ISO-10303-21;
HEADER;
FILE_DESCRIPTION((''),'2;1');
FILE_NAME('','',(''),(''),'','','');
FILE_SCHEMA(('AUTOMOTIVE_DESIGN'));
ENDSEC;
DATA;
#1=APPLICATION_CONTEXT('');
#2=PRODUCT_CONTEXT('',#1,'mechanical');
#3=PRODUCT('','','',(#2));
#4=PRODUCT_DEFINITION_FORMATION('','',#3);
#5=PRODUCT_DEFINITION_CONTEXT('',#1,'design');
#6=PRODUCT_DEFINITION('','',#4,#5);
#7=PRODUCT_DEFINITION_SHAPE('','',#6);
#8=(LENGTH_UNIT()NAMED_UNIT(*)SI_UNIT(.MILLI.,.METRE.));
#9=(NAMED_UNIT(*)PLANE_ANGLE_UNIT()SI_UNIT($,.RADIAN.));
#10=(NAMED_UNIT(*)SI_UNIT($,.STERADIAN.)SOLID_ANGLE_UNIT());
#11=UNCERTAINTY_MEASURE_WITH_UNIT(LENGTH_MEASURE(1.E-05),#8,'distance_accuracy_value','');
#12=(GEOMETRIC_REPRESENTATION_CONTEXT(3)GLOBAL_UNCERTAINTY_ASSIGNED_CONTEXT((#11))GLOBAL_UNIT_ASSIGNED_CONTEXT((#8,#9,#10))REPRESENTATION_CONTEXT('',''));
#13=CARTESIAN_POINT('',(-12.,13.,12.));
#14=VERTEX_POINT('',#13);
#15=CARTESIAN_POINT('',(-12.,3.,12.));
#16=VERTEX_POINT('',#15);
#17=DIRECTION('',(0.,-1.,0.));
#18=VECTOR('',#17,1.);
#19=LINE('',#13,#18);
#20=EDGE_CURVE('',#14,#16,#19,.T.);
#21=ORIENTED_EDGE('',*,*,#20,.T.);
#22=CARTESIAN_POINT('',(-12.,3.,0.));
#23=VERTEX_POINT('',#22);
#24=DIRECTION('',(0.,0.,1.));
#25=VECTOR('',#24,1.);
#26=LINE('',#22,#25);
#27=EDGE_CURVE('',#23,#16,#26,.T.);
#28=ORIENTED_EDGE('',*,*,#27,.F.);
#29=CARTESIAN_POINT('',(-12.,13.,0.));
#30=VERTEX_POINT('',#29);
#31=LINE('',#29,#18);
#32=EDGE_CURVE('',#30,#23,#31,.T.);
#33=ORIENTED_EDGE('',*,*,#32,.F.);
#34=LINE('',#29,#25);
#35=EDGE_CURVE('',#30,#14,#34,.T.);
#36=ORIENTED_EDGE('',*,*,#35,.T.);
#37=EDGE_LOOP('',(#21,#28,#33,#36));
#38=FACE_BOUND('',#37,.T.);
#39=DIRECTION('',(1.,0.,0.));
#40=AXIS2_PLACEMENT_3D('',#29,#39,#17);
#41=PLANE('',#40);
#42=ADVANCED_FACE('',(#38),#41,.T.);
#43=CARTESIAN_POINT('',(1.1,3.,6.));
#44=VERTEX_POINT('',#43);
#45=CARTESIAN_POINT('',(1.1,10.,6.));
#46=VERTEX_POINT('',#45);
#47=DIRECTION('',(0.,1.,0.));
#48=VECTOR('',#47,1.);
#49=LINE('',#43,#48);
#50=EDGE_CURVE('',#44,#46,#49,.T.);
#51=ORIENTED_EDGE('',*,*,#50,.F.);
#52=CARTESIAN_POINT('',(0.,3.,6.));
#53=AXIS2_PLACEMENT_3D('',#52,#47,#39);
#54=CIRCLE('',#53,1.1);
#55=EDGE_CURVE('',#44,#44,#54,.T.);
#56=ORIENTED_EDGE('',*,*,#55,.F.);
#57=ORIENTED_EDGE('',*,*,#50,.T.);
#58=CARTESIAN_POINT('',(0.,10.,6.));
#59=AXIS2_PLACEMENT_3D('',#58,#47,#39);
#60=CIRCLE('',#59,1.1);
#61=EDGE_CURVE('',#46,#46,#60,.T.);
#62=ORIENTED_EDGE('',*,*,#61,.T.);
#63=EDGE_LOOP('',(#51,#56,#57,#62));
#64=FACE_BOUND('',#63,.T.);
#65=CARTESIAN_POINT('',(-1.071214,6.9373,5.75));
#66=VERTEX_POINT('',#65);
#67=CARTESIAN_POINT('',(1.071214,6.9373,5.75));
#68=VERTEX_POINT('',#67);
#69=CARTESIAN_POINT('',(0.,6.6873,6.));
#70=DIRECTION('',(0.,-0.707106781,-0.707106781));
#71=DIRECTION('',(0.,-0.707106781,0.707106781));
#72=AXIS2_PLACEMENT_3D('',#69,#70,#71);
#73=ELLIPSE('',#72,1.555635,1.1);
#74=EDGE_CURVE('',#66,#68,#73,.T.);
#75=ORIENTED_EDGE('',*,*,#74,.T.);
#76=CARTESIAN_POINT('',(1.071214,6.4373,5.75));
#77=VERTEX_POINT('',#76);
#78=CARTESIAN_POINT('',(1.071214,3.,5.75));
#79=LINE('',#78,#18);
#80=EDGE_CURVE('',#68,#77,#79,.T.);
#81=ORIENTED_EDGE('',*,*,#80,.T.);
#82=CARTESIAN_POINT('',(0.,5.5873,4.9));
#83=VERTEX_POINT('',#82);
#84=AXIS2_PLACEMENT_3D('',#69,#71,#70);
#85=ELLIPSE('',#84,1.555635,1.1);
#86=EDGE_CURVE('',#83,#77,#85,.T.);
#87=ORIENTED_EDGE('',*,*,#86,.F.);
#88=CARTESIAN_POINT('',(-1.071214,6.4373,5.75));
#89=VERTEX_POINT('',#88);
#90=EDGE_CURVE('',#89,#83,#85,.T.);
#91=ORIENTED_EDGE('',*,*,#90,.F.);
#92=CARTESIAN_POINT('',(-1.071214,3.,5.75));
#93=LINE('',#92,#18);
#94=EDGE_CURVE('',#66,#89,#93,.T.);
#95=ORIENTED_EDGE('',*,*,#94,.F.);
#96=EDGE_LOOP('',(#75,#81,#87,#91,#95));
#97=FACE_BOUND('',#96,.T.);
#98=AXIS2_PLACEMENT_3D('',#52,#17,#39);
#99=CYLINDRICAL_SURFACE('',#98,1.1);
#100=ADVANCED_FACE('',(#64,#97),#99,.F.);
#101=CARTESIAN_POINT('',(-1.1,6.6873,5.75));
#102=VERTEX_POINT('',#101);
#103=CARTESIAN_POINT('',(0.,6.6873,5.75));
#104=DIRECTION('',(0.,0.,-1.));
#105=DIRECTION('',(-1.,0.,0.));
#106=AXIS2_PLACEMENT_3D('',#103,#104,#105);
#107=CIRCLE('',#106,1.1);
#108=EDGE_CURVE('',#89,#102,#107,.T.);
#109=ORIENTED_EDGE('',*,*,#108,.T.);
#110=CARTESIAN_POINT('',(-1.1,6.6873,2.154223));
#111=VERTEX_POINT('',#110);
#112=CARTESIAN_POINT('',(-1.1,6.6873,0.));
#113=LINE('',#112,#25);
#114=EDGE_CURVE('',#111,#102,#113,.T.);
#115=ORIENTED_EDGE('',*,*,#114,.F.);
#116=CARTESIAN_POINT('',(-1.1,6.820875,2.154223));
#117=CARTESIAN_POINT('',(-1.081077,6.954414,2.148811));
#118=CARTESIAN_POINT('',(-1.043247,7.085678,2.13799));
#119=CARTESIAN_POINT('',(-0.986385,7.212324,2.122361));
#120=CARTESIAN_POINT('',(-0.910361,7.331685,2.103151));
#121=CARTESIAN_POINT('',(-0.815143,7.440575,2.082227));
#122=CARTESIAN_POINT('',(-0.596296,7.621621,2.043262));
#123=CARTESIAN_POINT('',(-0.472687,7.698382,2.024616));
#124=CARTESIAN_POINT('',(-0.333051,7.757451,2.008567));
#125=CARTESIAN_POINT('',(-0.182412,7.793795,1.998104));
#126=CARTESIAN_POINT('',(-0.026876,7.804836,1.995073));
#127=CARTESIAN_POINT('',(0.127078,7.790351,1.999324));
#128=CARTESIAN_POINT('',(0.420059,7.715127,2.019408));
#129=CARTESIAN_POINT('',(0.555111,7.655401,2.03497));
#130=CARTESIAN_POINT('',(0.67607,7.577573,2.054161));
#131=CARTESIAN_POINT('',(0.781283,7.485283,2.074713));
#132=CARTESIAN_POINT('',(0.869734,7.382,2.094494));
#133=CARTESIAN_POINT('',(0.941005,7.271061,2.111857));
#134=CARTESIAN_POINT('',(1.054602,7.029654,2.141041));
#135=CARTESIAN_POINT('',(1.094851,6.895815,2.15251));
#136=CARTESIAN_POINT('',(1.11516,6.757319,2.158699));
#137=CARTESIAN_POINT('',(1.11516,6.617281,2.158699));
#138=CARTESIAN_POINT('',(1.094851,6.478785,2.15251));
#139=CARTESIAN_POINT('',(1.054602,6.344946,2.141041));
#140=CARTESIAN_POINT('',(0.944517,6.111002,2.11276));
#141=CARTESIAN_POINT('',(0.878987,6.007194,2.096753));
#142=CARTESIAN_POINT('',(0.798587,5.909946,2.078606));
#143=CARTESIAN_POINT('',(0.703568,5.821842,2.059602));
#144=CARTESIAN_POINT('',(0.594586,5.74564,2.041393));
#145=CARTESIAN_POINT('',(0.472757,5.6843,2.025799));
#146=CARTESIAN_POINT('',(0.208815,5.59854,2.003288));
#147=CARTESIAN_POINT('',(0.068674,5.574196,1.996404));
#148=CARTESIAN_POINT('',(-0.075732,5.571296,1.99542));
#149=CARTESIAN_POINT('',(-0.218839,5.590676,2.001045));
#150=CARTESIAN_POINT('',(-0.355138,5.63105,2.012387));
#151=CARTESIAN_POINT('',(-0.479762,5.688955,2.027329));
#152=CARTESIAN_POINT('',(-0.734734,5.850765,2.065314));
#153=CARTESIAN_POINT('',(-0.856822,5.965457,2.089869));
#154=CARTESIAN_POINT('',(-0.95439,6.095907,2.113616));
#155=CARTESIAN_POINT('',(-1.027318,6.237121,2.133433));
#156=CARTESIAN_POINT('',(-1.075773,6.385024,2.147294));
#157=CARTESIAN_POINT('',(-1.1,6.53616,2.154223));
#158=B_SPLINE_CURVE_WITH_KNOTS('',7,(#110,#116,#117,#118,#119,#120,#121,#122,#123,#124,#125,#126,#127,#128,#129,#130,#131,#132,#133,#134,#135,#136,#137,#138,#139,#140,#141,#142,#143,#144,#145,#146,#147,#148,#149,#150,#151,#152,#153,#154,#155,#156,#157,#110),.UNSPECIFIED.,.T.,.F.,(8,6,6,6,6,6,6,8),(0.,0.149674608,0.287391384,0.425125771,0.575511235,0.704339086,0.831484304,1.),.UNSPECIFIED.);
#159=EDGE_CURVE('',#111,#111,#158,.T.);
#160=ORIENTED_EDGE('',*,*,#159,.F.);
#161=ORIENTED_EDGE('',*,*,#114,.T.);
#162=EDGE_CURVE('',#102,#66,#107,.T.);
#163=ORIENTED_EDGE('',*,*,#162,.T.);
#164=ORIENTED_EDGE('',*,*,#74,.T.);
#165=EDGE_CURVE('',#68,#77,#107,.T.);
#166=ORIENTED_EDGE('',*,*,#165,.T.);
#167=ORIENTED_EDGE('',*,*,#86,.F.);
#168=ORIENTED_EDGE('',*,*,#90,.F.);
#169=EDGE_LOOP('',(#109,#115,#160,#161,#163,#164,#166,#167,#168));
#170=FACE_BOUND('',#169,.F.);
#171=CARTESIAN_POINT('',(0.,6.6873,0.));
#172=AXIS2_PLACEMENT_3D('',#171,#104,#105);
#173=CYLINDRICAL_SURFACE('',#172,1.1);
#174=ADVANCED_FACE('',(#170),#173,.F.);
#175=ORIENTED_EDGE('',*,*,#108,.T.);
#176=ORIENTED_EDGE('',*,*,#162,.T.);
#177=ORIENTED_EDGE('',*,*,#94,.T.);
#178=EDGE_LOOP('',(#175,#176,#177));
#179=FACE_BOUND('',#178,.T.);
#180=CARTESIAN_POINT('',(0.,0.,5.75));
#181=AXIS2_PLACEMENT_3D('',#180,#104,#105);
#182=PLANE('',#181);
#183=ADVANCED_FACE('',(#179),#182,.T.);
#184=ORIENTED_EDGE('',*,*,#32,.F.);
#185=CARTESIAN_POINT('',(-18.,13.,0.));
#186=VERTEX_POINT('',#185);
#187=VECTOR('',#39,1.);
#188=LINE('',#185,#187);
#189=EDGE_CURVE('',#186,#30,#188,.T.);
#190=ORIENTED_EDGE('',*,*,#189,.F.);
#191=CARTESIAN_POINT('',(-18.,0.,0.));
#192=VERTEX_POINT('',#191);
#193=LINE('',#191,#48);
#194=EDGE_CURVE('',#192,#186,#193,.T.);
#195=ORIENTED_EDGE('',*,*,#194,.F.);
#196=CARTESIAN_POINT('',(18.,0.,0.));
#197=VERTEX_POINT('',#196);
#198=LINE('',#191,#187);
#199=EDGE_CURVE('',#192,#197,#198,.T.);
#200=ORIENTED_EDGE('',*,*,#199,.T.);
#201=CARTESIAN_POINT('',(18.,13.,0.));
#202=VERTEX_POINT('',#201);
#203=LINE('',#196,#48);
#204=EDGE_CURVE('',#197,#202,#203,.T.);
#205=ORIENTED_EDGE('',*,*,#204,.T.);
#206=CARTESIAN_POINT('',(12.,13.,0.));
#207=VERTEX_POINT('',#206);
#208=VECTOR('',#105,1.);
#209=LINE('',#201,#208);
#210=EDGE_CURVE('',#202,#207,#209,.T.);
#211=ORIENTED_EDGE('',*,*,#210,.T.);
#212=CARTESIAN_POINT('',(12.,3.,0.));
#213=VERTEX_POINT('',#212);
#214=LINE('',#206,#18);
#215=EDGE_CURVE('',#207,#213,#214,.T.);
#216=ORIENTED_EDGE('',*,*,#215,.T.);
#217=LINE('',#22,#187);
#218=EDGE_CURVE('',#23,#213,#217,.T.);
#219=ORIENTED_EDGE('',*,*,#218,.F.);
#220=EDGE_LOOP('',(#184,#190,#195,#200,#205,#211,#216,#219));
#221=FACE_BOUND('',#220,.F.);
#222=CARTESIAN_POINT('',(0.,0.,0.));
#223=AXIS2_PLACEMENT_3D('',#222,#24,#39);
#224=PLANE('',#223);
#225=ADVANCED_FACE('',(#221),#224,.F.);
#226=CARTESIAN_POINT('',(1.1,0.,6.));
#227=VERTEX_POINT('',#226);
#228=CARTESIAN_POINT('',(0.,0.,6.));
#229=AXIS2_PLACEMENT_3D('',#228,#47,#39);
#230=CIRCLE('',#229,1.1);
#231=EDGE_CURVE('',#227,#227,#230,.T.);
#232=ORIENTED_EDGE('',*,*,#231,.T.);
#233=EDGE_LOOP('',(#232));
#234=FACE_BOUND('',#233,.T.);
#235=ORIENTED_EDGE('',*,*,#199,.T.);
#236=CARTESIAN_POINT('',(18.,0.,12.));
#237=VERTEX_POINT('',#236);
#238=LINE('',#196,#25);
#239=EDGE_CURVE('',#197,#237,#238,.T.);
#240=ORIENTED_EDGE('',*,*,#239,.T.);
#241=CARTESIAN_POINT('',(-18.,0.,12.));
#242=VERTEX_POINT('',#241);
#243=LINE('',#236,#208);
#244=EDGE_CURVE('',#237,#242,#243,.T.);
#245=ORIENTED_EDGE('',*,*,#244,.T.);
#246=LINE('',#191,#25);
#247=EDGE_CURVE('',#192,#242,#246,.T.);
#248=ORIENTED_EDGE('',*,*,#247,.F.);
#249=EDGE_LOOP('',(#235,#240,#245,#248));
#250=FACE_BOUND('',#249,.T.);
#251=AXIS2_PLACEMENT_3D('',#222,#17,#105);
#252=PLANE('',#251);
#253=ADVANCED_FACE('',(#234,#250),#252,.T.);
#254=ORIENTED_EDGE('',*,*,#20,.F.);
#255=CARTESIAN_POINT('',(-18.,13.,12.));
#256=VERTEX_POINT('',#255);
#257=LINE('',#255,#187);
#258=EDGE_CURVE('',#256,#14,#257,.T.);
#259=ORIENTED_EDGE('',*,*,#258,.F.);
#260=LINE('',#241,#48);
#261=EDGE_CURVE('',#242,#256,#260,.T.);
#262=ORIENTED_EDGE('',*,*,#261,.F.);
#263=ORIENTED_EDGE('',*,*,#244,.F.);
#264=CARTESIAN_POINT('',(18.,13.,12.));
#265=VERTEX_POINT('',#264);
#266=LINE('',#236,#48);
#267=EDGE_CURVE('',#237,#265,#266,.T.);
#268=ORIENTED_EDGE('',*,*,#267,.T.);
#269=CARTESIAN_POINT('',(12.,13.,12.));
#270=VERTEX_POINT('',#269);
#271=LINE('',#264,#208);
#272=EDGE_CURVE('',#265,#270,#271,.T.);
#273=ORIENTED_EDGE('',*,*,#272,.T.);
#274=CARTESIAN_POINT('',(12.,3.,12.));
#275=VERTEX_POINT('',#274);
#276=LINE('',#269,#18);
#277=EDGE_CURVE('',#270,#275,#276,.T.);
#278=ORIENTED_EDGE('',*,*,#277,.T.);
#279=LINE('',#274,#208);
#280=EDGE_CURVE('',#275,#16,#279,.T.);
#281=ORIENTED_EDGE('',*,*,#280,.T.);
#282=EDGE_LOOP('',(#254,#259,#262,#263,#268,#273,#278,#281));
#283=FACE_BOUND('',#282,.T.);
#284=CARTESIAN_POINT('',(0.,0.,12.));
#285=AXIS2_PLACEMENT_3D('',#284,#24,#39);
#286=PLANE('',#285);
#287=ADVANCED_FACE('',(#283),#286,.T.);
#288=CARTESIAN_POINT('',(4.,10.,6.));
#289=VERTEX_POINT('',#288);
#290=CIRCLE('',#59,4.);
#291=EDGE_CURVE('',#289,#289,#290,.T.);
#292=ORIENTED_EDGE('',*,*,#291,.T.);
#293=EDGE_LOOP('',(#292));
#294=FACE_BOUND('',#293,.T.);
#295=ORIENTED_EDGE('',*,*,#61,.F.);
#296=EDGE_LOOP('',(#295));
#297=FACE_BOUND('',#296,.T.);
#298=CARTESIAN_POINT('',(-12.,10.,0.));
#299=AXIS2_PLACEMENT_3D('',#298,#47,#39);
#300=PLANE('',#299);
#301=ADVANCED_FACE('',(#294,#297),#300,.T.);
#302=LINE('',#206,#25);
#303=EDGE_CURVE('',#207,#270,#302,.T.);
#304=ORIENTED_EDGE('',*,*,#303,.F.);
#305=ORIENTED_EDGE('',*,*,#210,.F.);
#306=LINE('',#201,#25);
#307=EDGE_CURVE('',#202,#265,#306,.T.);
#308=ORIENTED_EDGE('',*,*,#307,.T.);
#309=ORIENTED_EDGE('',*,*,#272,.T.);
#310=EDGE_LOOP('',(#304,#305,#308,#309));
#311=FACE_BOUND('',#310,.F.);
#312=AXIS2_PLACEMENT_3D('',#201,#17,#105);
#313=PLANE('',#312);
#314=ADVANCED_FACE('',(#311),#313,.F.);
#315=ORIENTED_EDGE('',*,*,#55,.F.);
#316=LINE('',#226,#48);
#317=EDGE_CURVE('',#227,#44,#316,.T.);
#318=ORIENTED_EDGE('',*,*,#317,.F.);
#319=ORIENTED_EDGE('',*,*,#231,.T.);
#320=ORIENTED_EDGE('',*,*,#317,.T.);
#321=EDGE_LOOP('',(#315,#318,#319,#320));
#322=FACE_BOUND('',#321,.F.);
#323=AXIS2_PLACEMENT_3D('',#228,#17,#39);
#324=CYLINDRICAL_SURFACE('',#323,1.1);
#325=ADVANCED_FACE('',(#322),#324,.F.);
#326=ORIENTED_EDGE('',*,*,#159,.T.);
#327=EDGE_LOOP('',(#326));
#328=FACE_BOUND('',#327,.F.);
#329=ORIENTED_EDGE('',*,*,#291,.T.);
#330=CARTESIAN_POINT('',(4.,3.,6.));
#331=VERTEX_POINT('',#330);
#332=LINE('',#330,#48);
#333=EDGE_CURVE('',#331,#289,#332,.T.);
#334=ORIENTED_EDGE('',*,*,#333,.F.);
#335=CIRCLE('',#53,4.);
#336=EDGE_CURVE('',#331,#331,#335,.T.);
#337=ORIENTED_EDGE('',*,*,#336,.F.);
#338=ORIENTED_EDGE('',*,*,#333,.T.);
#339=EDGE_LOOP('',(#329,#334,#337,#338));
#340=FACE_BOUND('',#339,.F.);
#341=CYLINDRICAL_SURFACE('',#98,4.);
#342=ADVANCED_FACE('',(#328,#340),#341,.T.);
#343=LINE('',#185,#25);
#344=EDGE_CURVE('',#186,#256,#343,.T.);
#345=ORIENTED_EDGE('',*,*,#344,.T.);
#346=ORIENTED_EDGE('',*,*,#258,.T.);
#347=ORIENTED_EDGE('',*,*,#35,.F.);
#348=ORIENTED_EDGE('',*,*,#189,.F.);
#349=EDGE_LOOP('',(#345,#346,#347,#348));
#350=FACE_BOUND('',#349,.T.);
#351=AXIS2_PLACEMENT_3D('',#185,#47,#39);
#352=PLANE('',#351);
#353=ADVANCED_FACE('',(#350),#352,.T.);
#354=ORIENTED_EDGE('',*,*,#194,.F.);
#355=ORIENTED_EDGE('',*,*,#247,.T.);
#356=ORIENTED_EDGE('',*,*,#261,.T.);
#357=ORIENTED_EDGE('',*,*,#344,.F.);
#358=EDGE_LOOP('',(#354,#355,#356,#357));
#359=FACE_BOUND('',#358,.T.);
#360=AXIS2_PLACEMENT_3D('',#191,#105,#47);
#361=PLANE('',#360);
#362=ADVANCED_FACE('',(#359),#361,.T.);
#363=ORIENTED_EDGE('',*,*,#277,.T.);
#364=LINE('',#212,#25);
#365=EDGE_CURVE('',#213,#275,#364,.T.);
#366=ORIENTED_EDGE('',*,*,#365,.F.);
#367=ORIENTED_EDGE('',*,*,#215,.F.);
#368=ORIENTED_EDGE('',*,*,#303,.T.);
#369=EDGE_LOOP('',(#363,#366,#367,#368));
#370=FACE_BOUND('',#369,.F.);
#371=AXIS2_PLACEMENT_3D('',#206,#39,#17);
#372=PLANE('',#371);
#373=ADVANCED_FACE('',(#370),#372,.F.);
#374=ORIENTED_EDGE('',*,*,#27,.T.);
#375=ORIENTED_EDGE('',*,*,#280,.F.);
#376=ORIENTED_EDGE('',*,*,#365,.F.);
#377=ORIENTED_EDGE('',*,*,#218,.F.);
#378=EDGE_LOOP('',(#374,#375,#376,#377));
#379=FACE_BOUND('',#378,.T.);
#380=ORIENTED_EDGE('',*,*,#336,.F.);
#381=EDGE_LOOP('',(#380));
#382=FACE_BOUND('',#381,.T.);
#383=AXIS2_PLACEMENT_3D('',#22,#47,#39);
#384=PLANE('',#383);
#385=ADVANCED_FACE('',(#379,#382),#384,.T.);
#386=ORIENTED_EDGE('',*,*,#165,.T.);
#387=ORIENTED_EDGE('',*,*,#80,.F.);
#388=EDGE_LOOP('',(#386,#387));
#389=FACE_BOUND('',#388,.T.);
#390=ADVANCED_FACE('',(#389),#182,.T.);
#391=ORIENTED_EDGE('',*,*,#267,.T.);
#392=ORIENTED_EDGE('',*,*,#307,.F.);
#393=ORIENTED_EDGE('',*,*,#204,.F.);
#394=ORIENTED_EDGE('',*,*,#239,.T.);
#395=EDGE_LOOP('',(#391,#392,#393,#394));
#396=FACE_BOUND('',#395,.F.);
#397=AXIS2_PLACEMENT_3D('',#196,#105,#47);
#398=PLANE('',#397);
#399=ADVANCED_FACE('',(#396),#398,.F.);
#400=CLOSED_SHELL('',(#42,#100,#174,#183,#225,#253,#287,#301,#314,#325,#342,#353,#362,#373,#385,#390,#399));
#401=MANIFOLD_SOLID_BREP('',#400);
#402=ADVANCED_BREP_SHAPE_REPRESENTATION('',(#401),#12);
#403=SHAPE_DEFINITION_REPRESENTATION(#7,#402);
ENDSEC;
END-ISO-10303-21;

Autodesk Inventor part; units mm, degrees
ref_plane "YZ Plane" through (0, 0, 0) normal (1, 0, 0) x (0, 1, 0)
ref_plane "XZ Plane" through (0, 0, 0) normal (0, 1, 0) x (-1, 0, 0)
ref_plane "XY Plane" through (0, 0, 0) normal (0, 0, 1) x (1, 0, 0)
sketch "Sketch1" plane through (0, 0, 0) normal (0, 0, 1) x (1, 0, 0)
  line L0 (0, 0) -> (18, 0)
  line L1 (18, 0) -> (18, 13)
  line L2 (18, 13) -> (12, 13)
  line L3 (12, 13) -> (12, 3)
  line L4 (12, 3) -> (0, 3)
  line L5 (0, 3) -> (0, 0) construction
  line L6 (0, 0) -> (-18, 0)
  line L7 (-18, 0) -> (-18, 13)
  line L8 (-18, 13) -> (-12, 13)
  line L9 (-12, 13) -> (-12, 3)
  line L10 (-12, 3) -> (0, 3)
  point P0 (15, 13)
  dimension "d2" = 6
  dimension "d3" = 3
  dimension "d4" = 13
  dimension "d18" = 15
extrude "Extrusion1" add sketch "Sketch1" along normal blind 12
sketch "Sketch2" plane through (-18, 0, 0) normal (0, -1, 0) x (1, 0, 0)
  circle A0 centre (18, 6) radius 1.1
  line L0 (0, 0) -> (36, 0) projected
  line L1 (0, 0) -> (0, 12) projected
  point P0 (18, 0)
  dimension "d7" = 2.2
  dimension "d19" = 6
  dimension "d20" = 18
extrude "Extrusion2" cut sketch "Sketch2" against normal blind 12
sketch "Sketch3" plane through (-12, 3, 0) normal (0, 1, 0) x (1, 0, 0)
  circle A0 centre (12, -6) radius 1.1 projected
  circle A1 centre (12, -6) radius 4
  point P0 (12, 0)
  dimension "d11" = 8
extrude "Extrusion3" add sketch "Sketch3" along normal blind 7
sketch "Sketch5" plane through (0, 0, 0) normal (0, 0, -1) x (-1, 0, 0)
  circle A0 centre (0, 6.6873) radius 1.1
  line L0 (-12, 3) -> (12, 3) projected
  point P0 (0, 3)
  dimension "d29" = 2.2
extrude "Extrusion5" cut sketch "Sketch5" against normal blind 5.75
equation "\"d19\" = 0.5 * d5"
equation "\"d20\" = d18 + 0.5 * d2"
equation "\"d5\" = 12"
properties part number "Support_Holder" material "ABS Plastic"
